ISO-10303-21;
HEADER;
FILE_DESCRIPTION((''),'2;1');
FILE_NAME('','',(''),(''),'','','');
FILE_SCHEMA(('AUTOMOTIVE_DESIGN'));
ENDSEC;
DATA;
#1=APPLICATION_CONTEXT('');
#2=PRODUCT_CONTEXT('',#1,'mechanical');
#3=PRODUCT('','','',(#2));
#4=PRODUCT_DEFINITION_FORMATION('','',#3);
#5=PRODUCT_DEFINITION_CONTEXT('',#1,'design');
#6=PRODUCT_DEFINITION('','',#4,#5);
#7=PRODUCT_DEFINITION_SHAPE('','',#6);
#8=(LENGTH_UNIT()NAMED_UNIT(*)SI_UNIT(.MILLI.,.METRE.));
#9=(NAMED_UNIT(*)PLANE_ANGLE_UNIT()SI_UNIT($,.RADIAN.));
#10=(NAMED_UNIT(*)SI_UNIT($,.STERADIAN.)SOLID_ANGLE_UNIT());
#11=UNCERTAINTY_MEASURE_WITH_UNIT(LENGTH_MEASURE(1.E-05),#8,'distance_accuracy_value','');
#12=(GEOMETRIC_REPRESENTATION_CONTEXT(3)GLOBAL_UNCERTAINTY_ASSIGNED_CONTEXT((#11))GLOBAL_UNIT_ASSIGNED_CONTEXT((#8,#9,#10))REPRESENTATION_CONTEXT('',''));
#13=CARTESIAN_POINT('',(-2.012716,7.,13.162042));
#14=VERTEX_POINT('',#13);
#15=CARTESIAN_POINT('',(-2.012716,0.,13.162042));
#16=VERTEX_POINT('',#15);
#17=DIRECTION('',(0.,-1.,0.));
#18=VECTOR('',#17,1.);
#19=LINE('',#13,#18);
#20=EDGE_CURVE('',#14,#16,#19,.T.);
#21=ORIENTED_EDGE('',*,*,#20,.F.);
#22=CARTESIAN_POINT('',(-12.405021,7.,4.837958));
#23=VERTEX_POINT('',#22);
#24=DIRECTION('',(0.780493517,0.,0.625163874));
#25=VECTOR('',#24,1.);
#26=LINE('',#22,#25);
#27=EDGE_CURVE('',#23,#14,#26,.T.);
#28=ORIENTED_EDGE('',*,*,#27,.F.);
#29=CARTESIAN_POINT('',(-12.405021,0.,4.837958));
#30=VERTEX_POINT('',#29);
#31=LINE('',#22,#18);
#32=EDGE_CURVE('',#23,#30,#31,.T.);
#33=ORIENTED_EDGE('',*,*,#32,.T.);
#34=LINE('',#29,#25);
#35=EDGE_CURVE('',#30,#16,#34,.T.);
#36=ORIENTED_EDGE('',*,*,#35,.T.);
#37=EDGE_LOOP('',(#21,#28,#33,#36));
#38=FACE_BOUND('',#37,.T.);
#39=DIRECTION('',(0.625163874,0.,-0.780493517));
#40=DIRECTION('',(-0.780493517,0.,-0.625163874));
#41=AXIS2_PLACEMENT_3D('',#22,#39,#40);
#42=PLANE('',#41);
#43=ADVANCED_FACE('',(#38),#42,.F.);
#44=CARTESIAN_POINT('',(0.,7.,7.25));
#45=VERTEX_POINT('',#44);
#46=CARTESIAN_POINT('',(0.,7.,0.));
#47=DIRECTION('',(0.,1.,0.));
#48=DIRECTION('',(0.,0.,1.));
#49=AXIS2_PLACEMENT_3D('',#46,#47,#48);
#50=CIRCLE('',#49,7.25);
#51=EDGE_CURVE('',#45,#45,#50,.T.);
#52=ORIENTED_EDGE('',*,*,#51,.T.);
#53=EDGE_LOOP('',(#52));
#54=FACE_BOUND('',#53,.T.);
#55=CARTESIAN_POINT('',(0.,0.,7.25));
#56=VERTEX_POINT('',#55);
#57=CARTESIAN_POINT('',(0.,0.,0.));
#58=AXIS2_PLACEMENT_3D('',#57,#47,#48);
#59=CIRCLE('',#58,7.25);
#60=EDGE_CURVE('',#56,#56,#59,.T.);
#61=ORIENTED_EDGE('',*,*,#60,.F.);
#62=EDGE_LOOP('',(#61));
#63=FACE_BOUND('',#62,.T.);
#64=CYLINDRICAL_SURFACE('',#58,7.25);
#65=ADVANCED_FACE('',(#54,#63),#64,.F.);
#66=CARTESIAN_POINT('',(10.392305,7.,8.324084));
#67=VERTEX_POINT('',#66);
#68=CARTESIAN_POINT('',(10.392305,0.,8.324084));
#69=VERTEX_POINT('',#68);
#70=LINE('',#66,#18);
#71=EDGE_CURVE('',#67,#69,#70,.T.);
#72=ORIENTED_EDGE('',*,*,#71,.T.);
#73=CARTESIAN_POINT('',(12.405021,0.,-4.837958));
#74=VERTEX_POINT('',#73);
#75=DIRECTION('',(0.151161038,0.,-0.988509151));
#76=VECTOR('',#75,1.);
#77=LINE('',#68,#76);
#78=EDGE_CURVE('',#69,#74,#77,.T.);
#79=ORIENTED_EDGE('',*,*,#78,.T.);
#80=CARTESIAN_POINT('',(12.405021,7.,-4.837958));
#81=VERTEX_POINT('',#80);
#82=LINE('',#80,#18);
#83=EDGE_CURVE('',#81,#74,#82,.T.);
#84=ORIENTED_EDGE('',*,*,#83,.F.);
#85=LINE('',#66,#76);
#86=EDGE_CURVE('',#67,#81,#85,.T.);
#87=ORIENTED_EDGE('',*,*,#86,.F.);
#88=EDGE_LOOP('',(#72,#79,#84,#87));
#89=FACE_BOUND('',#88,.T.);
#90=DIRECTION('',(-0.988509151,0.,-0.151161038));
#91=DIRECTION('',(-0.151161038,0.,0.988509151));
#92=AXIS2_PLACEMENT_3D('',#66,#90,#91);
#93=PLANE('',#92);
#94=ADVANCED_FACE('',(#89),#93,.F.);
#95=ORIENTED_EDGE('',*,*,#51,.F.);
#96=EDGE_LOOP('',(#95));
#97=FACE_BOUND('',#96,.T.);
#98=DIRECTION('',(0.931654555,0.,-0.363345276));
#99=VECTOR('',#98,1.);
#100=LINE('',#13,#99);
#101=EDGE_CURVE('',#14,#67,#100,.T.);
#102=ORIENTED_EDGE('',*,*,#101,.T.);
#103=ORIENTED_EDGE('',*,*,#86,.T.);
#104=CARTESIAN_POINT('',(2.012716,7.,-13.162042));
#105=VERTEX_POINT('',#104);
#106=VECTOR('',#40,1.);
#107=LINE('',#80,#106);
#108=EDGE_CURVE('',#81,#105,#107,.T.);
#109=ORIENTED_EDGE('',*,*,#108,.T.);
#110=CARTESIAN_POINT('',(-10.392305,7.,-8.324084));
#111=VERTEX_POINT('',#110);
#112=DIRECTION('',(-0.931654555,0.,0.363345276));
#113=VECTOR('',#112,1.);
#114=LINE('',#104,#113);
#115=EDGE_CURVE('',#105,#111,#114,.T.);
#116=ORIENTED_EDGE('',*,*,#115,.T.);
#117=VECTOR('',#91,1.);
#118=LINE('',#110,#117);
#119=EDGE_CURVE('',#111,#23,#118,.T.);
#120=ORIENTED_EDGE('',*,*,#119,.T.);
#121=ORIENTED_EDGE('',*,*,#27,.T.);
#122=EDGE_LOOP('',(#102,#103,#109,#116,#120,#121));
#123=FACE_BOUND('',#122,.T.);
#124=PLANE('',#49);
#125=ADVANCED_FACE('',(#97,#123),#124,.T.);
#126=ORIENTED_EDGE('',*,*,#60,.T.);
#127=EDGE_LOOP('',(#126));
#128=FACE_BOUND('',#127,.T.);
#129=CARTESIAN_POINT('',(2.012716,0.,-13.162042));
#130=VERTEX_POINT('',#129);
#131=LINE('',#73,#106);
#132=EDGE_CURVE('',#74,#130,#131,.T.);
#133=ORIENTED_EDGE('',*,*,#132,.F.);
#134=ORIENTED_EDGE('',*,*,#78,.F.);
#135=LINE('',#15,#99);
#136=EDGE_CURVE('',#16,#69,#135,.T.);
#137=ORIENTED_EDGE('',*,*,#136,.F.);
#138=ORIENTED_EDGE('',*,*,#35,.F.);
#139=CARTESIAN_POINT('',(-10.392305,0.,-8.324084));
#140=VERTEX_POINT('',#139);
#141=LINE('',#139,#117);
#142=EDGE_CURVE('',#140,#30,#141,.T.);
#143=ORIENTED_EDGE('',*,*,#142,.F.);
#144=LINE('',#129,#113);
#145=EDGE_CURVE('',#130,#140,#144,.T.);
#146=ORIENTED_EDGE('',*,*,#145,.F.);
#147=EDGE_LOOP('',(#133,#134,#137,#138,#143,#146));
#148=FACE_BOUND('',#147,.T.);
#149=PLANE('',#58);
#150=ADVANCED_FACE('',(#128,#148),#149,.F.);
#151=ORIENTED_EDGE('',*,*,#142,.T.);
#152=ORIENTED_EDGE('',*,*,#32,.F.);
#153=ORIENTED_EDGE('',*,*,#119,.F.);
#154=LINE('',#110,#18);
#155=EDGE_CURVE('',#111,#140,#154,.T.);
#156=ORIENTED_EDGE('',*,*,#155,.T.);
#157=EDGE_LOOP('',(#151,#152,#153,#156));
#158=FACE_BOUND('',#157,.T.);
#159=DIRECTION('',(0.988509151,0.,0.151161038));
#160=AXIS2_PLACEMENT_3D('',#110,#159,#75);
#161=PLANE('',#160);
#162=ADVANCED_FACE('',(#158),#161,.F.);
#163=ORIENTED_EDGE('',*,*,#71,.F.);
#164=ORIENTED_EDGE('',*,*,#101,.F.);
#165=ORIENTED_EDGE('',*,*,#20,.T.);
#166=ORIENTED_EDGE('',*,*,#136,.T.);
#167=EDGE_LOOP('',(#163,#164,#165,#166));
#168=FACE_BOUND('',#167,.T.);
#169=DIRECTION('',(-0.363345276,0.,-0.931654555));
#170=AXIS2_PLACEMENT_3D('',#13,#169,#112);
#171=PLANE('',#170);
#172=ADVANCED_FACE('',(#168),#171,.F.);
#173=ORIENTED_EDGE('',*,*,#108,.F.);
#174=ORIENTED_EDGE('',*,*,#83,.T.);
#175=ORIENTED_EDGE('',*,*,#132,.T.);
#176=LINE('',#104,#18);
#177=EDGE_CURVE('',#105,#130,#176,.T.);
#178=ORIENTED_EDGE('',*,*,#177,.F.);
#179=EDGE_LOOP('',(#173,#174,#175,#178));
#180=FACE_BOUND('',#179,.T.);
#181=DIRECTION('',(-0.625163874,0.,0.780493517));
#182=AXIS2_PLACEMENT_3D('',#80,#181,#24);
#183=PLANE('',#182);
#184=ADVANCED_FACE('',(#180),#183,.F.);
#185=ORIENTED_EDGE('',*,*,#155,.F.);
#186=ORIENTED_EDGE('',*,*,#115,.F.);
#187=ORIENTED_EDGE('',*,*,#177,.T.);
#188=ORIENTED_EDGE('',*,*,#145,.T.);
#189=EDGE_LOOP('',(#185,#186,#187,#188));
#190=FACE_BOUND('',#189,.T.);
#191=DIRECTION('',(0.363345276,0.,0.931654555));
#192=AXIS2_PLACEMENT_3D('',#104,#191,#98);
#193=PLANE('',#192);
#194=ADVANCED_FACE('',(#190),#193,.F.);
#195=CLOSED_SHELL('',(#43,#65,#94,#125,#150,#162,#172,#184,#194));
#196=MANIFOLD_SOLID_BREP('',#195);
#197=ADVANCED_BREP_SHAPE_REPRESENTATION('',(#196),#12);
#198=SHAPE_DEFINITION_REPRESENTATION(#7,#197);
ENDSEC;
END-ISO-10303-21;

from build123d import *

# Parameters (mm, degrees)
BOSS_EXTRU_1_DEPTH      = 7
ESQUISSE2_R             = 7.25
ENL_V_MAT_EXTRU_1_DEPTH = 7


with BuildPart() as part:
    # Esquisse1 → Boss.-Extru.1 (new body)
    with BuildSketch(Plane(origin=(0, 0, 0), x_dir=(1, 0, 0), z_dir=(0, 1, 0))):
        Polygon((-12.405020583, -4.837958027), (-2.012715737, -13.162041973), (10.392304845, -8.324083945), (12.405020583, 4.837958027), (2.012715737, 13.162041973), (-10.392304845, 8.324083945), align=None)
    extrude(amount=BOSS_EXTRU_1_DEPTH)

    # Esquisse2 → Enlèv. mat.-Extru.1 (cut)
    with BuildSketch(Plane(origin=(0, 7, 0), x_dir=(1, 0, 0), z_dir=(0, 1, 0))):
        Circle(ESQUISSE2_R)
    extrude(amount=-ENL_V_MAT_EXTRU_1_DEPTH, mode=Mode.SUBTRACT)


solid = part.part
